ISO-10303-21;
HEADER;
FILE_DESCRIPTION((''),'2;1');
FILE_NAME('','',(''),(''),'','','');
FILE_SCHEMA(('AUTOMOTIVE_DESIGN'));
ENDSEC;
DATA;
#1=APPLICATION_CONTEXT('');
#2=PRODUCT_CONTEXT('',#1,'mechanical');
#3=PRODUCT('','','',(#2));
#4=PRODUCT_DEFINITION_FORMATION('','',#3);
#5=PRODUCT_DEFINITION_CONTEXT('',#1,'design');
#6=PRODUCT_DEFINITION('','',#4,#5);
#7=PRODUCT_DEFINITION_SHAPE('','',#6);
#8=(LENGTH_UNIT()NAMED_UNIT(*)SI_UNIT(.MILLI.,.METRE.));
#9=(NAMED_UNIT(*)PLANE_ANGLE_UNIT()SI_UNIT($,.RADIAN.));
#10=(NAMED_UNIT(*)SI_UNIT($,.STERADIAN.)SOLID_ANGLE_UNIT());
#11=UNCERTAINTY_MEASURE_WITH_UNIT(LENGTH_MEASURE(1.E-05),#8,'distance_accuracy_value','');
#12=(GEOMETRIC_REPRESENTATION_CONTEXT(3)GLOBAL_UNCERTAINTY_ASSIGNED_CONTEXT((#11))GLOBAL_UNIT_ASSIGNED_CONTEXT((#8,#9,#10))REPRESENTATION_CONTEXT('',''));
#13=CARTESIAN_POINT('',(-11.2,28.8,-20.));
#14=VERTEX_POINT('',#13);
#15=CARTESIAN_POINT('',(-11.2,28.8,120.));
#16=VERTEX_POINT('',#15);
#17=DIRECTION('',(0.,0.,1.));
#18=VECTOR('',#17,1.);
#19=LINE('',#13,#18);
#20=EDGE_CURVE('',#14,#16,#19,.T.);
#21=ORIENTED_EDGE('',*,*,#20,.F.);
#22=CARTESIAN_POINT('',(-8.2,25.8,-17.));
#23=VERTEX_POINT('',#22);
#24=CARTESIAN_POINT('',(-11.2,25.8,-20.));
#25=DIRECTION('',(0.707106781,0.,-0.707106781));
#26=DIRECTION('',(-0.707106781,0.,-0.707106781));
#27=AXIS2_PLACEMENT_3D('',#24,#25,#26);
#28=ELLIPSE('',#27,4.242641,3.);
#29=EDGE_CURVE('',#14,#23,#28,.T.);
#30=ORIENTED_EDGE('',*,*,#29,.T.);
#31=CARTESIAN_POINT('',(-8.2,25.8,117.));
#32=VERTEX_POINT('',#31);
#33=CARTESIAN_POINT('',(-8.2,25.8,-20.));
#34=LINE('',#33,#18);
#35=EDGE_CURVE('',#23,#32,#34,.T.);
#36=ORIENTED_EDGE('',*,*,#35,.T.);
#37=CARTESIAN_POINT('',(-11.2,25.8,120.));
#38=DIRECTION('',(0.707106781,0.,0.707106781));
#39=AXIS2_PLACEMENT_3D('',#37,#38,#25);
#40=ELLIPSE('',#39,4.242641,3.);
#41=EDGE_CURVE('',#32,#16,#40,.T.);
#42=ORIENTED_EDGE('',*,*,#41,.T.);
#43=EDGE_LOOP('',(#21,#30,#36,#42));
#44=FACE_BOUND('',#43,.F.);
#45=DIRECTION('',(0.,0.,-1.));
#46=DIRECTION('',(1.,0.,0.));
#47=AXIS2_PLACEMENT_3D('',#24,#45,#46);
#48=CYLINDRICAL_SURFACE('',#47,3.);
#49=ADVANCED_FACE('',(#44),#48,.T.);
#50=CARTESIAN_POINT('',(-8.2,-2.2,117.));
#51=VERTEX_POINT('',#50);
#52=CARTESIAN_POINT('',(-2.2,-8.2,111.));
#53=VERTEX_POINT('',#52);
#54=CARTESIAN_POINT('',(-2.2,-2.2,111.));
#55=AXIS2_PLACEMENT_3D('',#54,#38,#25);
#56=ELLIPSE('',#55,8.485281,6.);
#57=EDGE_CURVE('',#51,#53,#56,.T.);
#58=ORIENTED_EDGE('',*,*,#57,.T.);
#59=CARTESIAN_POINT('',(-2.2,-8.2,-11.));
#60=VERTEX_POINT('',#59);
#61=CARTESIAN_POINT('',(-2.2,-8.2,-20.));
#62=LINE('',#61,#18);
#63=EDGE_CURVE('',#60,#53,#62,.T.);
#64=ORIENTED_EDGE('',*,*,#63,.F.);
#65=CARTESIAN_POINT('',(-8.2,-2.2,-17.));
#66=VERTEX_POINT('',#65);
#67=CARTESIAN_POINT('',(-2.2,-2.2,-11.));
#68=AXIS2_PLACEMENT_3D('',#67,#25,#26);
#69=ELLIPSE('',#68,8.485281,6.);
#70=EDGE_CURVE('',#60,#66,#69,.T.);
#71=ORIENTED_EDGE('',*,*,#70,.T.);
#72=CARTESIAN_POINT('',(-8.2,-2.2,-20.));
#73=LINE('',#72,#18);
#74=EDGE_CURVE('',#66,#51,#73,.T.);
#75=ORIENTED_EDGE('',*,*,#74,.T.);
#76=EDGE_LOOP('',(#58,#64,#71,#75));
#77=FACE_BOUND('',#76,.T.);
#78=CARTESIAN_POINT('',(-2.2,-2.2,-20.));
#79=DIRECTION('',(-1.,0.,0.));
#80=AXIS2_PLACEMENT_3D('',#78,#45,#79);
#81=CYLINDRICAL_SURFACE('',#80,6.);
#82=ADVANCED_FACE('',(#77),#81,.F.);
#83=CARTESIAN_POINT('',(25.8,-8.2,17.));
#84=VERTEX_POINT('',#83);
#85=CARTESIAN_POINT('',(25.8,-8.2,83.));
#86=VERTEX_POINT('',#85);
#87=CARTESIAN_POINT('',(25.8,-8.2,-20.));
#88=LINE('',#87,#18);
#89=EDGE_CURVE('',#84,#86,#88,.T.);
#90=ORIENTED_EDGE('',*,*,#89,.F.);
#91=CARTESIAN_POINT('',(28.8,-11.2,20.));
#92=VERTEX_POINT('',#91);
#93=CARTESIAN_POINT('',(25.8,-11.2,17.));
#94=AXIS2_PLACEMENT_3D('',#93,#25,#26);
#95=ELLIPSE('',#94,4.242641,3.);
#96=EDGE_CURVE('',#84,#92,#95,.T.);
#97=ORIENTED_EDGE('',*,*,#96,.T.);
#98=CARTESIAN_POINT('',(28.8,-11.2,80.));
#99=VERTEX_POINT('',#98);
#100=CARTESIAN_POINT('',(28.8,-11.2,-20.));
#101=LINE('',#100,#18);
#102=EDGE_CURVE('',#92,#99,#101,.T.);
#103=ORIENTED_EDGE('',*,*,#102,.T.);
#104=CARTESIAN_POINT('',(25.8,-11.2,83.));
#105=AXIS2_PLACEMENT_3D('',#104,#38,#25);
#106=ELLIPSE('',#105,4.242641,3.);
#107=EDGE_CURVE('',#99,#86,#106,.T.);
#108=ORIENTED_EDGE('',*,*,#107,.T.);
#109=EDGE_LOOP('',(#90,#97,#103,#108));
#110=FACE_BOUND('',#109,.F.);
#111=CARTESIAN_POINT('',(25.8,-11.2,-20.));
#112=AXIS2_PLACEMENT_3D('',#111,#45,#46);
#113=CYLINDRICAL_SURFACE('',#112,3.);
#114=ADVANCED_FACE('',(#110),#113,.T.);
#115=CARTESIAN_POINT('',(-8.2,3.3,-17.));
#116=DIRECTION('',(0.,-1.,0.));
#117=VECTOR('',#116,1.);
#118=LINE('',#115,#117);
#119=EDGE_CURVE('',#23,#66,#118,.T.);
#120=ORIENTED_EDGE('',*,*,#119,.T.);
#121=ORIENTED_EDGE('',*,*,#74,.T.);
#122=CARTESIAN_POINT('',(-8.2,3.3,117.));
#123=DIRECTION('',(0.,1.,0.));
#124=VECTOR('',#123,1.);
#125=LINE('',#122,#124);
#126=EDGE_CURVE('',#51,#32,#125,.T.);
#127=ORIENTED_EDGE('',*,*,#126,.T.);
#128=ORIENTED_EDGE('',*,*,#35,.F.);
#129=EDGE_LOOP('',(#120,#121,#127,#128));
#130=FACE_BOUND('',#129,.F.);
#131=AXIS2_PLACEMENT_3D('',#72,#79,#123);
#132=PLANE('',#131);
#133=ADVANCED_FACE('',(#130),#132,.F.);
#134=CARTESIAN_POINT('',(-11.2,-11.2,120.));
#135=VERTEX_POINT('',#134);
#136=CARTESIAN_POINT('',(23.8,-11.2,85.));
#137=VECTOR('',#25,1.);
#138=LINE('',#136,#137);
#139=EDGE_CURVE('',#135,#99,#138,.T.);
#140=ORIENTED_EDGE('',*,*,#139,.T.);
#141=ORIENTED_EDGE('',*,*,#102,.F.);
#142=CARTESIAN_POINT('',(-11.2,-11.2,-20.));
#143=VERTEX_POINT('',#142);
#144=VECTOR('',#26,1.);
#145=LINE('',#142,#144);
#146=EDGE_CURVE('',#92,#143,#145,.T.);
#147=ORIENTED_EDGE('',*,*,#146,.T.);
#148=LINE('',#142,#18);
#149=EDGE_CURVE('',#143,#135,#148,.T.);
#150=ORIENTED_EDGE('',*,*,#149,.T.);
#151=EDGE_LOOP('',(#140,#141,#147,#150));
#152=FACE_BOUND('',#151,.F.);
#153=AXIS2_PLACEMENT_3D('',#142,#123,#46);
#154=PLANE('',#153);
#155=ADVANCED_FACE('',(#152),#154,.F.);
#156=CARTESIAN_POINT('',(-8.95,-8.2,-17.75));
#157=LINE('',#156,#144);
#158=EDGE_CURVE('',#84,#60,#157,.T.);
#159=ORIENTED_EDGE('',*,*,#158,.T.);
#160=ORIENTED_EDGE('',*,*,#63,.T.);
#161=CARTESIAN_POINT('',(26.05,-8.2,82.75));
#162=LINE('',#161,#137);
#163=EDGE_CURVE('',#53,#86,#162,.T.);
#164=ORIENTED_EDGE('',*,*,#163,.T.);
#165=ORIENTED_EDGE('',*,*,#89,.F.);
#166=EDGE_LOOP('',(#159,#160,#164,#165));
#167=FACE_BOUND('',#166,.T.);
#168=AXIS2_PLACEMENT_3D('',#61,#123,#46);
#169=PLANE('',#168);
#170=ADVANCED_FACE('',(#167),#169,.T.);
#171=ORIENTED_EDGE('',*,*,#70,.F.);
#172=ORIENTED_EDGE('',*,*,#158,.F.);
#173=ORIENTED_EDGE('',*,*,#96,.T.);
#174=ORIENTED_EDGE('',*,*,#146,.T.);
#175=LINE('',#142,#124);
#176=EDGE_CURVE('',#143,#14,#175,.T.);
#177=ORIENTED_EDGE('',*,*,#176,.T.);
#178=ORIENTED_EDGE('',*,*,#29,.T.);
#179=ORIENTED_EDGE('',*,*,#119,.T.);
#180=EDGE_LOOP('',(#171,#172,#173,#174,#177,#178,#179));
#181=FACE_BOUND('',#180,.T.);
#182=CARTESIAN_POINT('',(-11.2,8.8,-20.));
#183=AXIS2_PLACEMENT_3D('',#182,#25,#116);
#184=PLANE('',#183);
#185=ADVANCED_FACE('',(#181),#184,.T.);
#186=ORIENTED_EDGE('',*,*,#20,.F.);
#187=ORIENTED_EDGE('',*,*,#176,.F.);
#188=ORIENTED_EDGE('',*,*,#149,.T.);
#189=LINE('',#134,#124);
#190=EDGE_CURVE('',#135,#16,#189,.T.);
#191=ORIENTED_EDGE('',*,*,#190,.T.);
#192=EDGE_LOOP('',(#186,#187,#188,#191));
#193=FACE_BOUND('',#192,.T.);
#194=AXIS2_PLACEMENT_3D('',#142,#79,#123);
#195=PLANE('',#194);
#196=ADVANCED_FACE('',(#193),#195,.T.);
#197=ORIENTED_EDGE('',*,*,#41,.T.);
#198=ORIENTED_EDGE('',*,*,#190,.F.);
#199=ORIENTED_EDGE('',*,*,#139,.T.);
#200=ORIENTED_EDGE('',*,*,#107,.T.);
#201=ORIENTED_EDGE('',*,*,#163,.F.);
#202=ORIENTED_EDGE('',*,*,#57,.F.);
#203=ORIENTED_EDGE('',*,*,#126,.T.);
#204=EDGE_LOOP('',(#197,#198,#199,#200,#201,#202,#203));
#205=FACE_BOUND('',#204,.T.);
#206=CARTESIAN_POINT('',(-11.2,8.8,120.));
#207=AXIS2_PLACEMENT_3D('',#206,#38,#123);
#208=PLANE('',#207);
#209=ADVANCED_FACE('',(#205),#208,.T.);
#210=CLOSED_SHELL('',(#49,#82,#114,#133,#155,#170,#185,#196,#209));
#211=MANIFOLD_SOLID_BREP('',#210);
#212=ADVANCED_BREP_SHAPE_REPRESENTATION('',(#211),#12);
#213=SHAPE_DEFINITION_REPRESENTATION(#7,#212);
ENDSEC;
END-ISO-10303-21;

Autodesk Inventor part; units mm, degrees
ref_plane "Start plane" through (0, 0, -20) normal (0, 0, 1) x (1, 0, 0)
ref_plane "End plane" through (0, 0, 120) normal (0, 0, 1) x (1, 0, 0)
sketch "Sketch2" plane through (0, 0, 0) normal (0, 0, 1) x (1, 0, 0)
  line L0 (-8.2, -2.2) -> (-8.2, 25.8)
  line L1 (-11.2, 28.8) -> (-11.2, 28.8)
  line L2 (-11.2, -11.2) -> (-11.2, 28.8)
  line L3 (-11.2, -11.2) -> (28.8, -11.2)
  line L4 (28.8, -11.2) -> (28.8, -11.2)
  line L5 (-2.2, -8.2) -> (25.8, -8.2)
  arc A0 (-8.2, -2.2) -> (-2.2, -8.2) centre (-2.2, -2.2) ccw
  arc A1 (-8.2, 25.8) -> (-11.2, 28.8) centre (-11.2, 25.8) ccw
  arc A2 (28.8, -11.2) -> (25.8, -8.2) centre (25.8, -11.2) ccw
  line L6 (0, 37.5456) -> (0, -19.3243) construction
  line L7 (-19.3243, 0) -> (37.5456, 0) construction
  point P0 (-8.2, -8.2)
  point P1 (-8.2, 28.8)
  point P2 (28.8, -8.2)
  dimension "d4" = 40
  dimension "d6" = 40
  dimension "d8" = 3
  dimension "d10" = 3
  dimension "d17" = 6
  dimension "d18" = 3
  dimension "d19" = 11.2
  dimension "d20" = 11.2
extrude "Body" add sketch "Sketch2" along normal up to surface (140 mm away) from surface at -20
sketch "Sketch3" plane through (0, 0, 0) normal (0, 0, 1) x (1, 0, 0)
  line L0 (0, 0) -> (10, 0)
ref_plane "Work Plane10" through (0, 0, 0) normal (0, -1, 0) x (1, 0, 0)
sketch "Sketch4" plane through (0, 0, 0) normal (0, -1, 0) x (1, 0, 0)
  line L0 (-2, -20) -> (12, -20)
  line L1 (-2, 120) -> (12, 120)
  dimension "d24" = 140
ref_plane "Work Plane11" through (-11.2, 8.8, -20) normal (0.7071, 0, -0.7071) x (-0.7071, 0, -0.7071)
split "Split1" plane through (-11.2, 8.8, -20) removes the side toward (0.7071, 0, -0.7071)
ref_plane "Work Plane12" through (-11.2, 8.8, 120) normal (0.7071, 0, 0.7071) x (0.7071, 0, -0.7071)
split "Split2" plane through (-11.2, 8.8, 120) removes the side toward (0.7071, 0, 0.7071)
equation "\"d4\" = b"
equation "\"d6\" = b"
equation "\"d8\" = ParT"
equation "\"d10\" = ParT"
equation "\"d17\" = R"
equation "\"d18\" = R1"
equation "\"d19\" = ex"
equation "\"d20\" = d19"
equation "\"d11\" = G_L"
equation "\"b\" = 40"
equation "\"ParT\" = 3"
equation "\"R\" = 6"
equation "\"R1\" = 3"
equation "\"G_L\" = d24"
equation "\"ex\" = 11.2"
equation "\"G_OFFSET_START\" = 20"
equation "\"G_OFFSET_END\" = 20"
equation "\"d21\" = -G_OFFSET_START"
equation "\"d22\" = G_OFFSET_END + B_L"
equation "\"B_L\" = 100"
properties part number "ISO 657-1 - L40x40x3-140" material "Steel, Mild"
